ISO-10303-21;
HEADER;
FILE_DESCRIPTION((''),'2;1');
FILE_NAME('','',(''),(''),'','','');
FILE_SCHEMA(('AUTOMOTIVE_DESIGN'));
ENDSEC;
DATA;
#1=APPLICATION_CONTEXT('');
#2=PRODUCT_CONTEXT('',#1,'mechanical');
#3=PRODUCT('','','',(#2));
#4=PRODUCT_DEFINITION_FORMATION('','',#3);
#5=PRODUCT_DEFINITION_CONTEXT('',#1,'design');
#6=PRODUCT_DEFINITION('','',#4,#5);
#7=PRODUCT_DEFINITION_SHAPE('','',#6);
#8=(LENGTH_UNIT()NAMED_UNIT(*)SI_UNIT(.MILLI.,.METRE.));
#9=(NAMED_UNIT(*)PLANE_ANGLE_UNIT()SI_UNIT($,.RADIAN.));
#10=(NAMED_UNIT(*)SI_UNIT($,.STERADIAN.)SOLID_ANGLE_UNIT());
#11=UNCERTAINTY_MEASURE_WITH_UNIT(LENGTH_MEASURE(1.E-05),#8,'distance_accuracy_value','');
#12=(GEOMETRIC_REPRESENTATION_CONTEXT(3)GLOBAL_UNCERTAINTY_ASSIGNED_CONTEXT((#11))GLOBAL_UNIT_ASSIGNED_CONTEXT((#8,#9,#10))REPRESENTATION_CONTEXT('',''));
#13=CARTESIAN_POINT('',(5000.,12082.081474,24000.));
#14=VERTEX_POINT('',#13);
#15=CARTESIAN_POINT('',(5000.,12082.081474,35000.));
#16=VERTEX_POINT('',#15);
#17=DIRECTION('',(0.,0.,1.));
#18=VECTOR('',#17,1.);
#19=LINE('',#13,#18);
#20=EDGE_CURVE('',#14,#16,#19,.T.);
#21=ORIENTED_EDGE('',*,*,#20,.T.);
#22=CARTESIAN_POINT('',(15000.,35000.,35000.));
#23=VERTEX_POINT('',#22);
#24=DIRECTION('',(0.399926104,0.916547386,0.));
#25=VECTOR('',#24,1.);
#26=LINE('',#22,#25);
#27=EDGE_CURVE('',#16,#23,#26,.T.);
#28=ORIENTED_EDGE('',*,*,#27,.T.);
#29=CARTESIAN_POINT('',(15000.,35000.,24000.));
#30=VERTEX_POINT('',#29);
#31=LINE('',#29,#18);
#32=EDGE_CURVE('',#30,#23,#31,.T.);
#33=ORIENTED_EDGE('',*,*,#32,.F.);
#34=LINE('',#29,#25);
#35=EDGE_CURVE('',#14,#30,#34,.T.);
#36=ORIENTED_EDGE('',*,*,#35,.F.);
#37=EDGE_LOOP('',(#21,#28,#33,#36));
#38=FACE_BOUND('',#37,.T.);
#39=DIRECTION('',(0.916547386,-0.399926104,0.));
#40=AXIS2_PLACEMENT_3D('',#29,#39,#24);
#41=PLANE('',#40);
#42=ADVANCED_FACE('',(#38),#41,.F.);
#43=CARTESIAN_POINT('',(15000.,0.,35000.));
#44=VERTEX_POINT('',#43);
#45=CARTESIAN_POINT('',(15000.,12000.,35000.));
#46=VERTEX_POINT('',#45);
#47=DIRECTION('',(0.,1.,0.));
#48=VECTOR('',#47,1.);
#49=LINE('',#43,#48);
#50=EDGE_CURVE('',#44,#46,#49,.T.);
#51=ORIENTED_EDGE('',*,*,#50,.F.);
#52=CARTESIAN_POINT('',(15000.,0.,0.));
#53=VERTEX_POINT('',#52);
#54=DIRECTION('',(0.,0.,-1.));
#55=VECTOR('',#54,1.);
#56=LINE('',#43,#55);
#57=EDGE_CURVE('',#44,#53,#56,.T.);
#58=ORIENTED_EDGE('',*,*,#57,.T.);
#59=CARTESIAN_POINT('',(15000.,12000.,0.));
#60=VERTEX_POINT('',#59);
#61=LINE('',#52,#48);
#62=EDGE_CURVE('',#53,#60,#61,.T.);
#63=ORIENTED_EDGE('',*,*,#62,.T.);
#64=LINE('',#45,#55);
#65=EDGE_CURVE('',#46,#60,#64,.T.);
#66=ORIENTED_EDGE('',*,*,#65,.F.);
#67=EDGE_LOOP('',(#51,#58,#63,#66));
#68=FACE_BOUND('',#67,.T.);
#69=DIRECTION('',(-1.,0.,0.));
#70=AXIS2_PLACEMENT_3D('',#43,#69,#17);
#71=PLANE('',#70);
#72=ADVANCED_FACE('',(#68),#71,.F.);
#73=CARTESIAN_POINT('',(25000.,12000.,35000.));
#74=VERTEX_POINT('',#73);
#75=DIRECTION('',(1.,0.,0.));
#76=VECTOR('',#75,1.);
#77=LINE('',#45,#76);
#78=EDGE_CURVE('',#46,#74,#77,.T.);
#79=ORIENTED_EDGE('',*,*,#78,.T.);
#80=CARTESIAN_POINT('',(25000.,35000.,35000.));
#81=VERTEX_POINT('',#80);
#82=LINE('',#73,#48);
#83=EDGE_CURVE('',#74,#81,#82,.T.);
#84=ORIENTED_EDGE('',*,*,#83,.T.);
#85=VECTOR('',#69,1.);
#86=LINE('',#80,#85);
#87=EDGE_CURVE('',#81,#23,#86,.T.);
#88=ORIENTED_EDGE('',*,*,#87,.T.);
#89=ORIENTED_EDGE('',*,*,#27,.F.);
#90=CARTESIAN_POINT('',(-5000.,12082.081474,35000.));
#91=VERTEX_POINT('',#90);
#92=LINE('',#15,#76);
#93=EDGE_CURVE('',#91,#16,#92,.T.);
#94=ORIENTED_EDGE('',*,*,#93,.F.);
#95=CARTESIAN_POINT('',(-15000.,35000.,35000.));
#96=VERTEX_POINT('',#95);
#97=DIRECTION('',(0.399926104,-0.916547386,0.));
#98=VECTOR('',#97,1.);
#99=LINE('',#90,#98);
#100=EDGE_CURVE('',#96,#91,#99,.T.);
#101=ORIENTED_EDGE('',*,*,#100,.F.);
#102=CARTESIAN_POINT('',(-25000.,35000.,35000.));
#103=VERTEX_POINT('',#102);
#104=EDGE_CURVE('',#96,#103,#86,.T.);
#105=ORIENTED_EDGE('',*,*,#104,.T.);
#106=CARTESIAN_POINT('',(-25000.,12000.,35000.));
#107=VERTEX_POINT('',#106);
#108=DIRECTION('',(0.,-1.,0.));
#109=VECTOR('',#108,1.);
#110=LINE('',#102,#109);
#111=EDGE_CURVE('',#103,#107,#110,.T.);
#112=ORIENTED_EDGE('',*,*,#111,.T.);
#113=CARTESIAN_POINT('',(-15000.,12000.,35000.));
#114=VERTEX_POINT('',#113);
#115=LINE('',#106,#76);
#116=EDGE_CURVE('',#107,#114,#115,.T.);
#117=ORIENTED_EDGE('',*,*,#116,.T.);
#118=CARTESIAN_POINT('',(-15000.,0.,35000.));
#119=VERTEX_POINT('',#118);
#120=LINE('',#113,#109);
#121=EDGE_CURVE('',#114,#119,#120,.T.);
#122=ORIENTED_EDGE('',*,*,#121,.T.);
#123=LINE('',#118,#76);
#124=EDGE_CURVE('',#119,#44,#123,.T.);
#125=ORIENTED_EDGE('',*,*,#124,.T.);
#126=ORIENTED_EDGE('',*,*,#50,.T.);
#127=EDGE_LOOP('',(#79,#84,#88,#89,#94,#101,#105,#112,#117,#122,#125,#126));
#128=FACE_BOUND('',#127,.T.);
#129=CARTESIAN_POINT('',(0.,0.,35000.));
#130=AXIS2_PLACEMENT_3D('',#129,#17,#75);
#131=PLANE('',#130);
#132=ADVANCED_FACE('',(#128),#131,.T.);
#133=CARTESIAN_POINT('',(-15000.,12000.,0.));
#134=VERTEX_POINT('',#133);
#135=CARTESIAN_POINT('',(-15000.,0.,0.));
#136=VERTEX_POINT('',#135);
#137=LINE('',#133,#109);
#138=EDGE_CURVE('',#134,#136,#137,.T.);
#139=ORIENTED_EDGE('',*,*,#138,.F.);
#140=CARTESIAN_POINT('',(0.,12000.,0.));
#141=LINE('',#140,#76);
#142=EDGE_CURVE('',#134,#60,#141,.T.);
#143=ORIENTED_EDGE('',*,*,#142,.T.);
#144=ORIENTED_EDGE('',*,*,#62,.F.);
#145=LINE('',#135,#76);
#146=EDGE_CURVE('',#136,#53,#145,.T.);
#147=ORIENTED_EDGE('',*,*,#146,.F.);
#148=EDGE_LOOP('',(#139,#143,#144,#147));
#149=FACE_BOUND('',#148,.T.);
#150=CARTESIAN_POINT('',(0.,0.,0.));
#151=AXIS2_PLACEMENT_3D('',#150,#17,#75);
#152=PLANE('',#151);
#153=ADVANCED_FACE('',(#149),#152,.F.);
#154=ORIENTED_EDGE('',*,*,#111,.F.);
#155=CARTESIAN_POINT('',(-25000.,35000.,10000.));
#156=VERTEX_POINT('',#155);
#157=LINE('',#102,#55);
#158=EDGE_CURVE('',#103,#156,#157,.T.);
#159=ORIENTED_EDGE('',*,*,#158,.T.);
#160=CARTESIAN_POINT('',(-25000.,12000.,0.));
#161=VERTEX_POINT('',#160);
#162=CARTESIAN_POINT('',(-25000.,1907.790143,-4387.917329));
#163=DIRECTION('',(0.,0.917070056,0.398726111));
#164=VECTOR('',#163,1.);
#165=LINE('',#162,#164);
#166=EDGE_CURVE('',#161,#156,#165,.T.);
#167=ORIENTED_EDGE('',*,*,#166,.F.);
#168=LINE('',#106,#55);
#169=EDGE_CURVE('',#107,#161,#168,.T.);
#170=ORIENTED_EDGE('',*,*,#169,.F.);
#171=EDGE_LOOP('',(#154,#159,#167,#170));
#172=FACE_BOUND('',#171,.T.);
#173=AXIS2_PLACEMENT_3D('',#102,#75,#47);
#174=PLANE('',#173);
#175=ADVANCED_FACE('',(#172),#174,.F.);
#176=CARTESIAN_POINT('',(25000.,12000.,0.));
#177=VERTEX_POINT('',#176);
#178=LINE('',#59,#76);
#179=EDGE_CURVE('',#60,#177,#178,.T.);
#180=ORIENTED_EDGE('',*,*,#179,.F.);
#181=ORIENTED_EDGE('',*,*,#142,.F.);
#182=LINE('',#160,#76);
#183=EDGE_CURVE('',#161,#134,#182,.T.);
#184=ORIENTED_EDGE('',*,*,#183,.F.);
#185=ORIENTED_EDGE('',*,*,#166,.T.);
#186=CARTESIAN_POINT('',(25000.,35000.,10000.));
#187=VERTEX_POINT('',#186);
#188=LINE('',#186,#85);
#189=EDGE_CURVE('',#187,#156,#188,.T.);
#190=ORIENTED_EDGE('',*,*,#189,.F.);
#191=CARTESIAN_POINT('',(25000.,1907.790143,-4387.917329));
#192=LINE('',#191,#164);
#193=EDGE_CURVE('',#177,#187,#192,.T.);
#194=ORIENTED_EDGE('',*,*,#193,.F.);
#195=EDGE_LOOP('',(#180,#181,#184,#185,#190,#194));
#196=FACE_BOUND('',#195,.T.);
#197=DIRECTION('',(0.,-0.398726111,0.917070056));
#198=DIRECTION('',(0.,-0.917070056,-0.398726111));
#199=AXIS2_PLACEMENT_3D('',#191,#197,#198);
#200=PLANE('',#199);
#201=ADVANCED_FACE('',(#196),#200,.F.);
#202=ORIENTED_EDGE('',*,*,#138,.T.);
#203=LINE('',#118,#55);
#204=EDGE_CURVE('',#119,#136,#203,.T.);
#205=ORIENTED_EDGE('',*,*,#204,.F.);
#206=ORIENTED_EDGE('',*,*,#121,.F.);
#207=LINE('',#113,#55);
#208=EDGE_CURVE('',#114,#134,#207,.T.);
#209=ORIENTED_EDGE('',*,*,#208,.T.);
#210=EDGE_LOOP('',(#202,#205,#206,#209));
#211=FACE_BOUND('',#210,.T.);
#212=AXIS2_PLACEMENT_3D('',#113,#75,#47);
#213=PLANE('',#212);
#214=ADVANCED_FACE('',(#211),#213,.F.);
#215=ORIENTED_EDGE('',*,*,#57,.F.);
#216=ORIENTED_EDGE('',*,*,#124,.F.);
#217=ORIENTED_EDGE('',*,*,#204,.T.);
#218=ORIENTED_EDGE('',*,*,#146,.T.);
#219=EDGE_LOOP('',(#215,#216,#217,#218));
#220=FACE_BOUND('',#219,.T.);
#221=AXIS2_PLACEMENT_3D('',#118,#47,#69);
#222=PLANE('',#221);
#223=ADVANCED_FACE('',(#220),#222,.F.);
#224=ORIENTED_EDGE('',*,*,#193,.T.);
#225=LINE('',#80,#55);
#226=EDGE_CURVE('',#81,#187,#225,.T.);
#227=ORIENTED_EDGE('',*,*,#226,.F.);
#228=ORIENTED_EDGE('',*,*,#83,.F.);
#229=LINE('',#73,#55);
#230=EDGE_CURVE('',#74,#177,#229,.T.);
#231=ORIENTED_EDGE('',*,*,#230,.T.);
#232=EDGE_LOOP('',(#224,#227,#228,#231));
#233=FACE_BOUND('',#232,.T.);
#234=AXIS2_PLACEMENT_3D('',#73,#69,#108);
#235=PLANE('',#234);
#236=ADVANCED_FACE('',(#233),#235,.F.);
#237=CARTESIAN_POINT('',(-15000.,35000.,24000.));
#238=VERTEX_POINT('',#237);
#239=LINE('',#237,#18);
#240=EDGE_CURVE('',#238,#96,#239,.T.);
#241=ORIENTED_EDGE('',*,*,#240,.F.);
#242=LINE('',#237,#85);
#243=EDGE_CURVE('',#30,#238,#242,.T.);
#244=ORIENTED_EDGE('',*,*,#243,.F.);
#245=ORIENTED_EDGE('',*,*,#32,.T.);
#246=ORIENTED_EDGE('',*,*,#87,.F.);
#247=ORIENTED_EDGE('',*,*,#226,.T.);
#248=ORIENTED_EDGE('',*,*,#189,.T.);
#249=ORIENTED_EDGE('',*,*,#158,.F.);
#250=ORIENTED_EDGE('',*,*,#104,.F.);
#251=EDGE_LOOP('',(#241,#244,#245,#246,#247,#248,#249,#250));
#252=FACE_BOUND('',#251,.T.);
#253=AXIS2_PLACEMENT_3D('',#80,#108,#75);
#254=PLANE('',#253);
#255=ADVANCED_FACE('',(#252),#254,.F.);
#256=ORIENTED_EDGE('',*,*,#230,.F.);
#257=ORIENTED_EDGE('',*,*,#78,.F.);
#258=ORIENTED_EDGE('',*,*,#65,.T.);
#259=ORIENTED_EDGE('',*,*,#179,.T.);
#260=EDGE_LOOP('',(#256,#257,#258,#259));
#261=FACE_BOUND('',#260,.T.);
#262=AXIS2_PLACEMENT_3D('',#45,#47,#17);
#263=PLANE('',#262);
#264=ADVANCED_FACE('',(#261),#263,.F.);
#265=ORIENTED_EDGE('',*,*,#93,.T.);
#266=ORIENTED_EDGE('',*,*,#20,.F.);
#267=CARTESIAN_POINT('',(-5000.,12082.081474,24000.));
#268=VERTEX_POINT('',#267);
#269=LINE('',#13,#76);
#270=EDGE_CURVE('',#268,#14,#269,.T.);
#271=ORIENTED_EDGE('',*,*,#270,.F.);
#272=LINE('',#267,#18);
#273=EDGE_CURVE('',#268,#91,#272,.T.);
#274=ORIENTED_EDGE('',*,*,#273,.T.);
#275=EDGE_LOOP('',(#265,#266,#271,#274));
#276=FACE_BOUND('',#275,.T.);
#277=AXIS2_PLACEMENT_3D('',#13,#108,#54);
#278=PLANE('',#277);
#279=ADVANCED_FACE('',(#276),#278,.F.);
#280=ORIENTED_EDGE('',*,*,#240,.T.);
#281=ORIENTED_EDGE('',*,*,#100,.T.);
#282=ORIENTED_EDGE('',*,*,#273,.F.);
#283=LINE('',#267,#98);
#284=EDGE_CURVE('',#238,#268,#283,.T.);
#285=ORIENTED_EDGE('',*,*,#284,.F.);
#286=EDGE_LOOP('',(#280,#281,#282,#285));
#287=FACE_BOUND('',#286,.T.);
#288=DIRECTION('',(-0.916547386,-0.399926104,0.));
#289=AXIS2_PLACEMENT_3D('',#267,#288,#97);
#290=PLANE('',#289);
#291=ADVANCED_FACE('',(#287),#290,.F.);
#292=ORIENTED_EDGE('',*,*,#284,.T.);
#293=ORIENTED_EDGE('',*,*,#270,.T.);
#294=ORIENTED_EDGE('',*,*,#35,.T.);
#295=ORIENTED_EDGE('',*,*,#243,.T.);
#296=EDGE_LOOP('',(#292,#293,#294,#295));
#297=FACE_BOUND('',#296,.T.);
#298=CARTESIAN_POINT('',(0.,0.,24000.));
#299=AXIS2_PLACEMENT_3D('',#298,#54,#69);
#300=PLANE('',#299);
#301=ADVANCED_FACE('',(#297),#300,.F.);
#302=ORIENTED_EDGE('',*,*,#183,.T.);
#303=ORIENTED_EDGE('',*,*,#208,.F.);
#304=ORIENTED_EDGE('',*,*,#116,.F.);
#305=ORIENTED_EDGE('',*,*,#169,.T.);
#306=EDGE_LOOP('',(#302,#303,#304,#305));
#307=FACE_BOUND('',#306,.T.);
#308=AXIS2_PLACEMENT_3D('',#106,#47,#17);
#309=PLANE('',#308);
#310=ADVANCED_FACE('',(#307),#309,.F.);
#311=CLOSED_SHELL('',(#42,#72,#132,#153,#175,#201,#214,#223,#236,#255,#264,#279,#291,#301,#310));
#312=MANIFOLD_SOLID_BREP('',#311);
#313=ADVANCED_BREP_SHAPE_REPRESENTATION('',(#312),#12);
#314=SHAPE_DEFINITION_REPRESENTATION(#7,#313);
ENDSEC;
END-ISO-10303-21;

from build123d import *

# Parameters (mm, degrees)
BOSS_EXTRUDE2_DEPTH = 35000
CUT_EXTRUDE1_DEPTH  = 11000
CUT_EXTRUDE2_DEPTH  = 70357.236397351


with BuildPart() as part:
    # Sketch3 → Boss-Extrude2 (new body)
    with BuildSketch(Plane.XY):
        Polygon((-15000, 0), (15000, 0), (15000, 12000), (25000, 12000), (25000, 35000), (-25000, 35000), (-25000, 12000), (-15000, 12000), align=None)
    extrude(amount=BOSS_EXTRUDE2_DEPTH)

    # Sketch4 → Cut-Extrude1 (cut)
    with BuildSketch(Plane.XY.offset(35000)):
        Polygon((-5000, 12082.081474439), (-15000, 35000), (15000, 35000), (5000, 12082.081474439), align=None)
    extrude(amount=-CUT_EXTRUDE1_DEPTH, mode=Mode.SUBTRACT)

    # Sketch6 → Cut-Extrude2 (cut, through all)
    with BuildSketch(Plane.ZY.offset(25000)):
        Polygon((0, 35000), (0, 12000), (10000, 35000), align=None)
    extrude(amount=-CUT_EXTRUDE2_DEPTH, mode=Mode.SUBTRACT)


solid = part.part
